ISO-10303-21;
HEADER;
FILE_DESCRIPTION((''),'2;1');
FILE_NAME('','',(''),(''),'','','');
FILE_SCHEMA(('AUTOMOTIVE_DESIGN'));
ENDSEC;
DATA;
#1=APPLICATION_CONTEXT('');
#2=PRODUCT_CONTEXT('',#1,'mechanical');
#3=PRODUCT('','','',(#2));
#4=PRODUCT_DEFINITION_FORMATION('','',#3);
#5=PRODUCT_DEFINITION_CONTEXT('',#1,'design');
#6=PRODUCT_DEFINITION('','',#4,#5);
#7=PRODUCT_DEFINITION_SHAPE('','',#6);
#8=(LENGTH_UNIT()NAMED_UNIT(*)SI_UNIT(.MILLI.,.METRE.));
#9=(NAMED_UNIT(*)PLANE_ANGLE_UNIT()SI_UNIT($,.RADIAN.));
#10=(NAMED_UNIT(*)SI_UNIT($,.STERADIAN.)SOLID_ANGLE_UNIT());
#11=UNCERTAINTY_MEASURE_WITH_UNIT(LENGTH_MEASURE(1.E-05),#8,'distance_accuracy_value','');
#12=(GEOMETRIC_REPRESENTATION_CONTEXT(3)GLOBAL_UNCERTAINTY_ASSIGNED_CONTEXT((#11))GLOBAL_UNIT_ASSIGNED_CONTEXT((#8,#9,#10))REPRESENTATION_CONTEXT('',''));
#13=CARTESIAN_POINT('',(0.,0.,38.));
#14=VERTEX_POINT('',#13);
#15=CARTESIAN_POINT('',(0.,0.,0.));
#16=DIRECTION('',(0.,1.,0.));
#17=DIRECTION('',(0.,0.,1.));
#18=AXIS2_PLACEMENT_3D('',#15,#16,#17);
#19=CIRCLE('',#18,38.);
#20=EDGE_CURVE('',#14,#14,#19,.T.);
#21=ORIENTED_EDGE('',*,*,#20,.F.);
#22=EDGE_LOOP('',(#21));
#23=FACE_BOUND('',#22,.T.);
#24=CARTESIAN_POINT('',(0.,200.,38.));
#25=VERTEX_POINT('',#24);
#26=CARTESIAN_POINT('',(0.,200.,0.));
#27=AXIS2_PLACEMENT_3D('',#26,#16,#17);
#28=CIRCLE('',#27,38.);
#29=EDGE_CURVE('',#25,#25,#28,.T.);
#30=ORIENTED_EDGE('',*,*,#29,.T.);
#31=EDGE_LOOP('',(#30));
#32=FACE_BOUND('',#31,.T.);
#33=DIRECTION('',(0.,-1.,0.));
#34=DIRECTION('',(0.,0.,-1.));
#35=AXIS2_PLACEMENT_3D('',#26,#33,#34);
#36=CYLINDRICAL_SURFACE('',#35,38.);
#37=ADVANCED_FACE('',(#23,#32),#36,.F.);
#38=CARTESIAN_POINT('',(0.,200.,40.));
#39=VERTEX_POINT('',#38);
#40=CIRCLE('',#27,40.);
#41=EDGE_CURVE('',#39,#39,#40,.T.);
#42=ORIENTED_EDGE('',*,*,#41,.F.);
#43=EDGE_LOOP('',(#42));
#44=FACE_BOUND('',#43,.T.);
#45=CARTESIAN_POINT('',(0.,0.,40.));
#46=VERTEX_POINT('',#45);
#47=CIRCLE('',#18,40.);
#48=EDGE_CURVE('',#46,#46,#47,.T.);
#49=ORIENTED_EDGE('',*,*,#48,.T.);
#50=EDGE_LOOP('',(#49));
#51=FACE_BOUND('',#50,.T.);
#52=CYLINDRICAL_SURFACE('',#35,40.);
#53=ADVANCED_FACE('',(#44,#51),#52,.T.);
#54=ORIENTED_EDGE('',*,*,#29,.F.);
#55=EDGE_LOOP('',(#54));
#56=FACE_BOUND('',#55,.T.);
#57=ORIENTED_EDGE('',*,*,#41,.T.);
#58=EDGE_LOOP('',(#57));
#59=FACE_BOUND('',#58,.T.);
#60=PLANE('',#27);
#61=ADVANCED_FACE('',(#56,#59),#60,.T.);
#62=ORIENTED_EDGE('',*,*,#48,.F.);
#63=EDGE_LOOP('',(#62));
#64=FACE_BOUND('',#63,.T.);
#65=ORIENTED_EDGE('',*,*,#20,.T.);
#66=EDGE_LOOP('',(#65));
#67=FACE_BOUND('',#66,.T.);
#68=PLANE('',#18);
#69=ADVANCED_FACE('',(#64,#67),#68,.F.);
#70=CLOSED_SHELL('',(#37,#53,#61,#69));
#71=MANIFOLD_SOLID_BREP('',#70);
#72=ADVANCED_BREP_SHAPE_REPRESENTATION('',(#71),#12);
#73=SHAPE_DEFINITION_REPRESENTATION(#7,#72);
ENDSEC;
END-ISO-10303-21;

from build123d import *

# Parameters (mm, degrees)
SKETCH_1_R      = 40
SKETCH_1_R_2    = 38
EXTRUDE_1_DEPTH = 200


with BuildPart() as part:
    # 草图1 → 凸台-拉伸1 (new body)
    with BuildSketch(Plane(origin=(0, 0, 0), x_dir=(1, 0, 0), z_dir=(0, 1, 0))):
        Circle(SKETCH_1_R)
        Circle(SKETCH_1_R_2, mode=Mode.SUBTRACT)
    extrude(amount=EXTRUDE_1_DEPTH)


solid = part.part
